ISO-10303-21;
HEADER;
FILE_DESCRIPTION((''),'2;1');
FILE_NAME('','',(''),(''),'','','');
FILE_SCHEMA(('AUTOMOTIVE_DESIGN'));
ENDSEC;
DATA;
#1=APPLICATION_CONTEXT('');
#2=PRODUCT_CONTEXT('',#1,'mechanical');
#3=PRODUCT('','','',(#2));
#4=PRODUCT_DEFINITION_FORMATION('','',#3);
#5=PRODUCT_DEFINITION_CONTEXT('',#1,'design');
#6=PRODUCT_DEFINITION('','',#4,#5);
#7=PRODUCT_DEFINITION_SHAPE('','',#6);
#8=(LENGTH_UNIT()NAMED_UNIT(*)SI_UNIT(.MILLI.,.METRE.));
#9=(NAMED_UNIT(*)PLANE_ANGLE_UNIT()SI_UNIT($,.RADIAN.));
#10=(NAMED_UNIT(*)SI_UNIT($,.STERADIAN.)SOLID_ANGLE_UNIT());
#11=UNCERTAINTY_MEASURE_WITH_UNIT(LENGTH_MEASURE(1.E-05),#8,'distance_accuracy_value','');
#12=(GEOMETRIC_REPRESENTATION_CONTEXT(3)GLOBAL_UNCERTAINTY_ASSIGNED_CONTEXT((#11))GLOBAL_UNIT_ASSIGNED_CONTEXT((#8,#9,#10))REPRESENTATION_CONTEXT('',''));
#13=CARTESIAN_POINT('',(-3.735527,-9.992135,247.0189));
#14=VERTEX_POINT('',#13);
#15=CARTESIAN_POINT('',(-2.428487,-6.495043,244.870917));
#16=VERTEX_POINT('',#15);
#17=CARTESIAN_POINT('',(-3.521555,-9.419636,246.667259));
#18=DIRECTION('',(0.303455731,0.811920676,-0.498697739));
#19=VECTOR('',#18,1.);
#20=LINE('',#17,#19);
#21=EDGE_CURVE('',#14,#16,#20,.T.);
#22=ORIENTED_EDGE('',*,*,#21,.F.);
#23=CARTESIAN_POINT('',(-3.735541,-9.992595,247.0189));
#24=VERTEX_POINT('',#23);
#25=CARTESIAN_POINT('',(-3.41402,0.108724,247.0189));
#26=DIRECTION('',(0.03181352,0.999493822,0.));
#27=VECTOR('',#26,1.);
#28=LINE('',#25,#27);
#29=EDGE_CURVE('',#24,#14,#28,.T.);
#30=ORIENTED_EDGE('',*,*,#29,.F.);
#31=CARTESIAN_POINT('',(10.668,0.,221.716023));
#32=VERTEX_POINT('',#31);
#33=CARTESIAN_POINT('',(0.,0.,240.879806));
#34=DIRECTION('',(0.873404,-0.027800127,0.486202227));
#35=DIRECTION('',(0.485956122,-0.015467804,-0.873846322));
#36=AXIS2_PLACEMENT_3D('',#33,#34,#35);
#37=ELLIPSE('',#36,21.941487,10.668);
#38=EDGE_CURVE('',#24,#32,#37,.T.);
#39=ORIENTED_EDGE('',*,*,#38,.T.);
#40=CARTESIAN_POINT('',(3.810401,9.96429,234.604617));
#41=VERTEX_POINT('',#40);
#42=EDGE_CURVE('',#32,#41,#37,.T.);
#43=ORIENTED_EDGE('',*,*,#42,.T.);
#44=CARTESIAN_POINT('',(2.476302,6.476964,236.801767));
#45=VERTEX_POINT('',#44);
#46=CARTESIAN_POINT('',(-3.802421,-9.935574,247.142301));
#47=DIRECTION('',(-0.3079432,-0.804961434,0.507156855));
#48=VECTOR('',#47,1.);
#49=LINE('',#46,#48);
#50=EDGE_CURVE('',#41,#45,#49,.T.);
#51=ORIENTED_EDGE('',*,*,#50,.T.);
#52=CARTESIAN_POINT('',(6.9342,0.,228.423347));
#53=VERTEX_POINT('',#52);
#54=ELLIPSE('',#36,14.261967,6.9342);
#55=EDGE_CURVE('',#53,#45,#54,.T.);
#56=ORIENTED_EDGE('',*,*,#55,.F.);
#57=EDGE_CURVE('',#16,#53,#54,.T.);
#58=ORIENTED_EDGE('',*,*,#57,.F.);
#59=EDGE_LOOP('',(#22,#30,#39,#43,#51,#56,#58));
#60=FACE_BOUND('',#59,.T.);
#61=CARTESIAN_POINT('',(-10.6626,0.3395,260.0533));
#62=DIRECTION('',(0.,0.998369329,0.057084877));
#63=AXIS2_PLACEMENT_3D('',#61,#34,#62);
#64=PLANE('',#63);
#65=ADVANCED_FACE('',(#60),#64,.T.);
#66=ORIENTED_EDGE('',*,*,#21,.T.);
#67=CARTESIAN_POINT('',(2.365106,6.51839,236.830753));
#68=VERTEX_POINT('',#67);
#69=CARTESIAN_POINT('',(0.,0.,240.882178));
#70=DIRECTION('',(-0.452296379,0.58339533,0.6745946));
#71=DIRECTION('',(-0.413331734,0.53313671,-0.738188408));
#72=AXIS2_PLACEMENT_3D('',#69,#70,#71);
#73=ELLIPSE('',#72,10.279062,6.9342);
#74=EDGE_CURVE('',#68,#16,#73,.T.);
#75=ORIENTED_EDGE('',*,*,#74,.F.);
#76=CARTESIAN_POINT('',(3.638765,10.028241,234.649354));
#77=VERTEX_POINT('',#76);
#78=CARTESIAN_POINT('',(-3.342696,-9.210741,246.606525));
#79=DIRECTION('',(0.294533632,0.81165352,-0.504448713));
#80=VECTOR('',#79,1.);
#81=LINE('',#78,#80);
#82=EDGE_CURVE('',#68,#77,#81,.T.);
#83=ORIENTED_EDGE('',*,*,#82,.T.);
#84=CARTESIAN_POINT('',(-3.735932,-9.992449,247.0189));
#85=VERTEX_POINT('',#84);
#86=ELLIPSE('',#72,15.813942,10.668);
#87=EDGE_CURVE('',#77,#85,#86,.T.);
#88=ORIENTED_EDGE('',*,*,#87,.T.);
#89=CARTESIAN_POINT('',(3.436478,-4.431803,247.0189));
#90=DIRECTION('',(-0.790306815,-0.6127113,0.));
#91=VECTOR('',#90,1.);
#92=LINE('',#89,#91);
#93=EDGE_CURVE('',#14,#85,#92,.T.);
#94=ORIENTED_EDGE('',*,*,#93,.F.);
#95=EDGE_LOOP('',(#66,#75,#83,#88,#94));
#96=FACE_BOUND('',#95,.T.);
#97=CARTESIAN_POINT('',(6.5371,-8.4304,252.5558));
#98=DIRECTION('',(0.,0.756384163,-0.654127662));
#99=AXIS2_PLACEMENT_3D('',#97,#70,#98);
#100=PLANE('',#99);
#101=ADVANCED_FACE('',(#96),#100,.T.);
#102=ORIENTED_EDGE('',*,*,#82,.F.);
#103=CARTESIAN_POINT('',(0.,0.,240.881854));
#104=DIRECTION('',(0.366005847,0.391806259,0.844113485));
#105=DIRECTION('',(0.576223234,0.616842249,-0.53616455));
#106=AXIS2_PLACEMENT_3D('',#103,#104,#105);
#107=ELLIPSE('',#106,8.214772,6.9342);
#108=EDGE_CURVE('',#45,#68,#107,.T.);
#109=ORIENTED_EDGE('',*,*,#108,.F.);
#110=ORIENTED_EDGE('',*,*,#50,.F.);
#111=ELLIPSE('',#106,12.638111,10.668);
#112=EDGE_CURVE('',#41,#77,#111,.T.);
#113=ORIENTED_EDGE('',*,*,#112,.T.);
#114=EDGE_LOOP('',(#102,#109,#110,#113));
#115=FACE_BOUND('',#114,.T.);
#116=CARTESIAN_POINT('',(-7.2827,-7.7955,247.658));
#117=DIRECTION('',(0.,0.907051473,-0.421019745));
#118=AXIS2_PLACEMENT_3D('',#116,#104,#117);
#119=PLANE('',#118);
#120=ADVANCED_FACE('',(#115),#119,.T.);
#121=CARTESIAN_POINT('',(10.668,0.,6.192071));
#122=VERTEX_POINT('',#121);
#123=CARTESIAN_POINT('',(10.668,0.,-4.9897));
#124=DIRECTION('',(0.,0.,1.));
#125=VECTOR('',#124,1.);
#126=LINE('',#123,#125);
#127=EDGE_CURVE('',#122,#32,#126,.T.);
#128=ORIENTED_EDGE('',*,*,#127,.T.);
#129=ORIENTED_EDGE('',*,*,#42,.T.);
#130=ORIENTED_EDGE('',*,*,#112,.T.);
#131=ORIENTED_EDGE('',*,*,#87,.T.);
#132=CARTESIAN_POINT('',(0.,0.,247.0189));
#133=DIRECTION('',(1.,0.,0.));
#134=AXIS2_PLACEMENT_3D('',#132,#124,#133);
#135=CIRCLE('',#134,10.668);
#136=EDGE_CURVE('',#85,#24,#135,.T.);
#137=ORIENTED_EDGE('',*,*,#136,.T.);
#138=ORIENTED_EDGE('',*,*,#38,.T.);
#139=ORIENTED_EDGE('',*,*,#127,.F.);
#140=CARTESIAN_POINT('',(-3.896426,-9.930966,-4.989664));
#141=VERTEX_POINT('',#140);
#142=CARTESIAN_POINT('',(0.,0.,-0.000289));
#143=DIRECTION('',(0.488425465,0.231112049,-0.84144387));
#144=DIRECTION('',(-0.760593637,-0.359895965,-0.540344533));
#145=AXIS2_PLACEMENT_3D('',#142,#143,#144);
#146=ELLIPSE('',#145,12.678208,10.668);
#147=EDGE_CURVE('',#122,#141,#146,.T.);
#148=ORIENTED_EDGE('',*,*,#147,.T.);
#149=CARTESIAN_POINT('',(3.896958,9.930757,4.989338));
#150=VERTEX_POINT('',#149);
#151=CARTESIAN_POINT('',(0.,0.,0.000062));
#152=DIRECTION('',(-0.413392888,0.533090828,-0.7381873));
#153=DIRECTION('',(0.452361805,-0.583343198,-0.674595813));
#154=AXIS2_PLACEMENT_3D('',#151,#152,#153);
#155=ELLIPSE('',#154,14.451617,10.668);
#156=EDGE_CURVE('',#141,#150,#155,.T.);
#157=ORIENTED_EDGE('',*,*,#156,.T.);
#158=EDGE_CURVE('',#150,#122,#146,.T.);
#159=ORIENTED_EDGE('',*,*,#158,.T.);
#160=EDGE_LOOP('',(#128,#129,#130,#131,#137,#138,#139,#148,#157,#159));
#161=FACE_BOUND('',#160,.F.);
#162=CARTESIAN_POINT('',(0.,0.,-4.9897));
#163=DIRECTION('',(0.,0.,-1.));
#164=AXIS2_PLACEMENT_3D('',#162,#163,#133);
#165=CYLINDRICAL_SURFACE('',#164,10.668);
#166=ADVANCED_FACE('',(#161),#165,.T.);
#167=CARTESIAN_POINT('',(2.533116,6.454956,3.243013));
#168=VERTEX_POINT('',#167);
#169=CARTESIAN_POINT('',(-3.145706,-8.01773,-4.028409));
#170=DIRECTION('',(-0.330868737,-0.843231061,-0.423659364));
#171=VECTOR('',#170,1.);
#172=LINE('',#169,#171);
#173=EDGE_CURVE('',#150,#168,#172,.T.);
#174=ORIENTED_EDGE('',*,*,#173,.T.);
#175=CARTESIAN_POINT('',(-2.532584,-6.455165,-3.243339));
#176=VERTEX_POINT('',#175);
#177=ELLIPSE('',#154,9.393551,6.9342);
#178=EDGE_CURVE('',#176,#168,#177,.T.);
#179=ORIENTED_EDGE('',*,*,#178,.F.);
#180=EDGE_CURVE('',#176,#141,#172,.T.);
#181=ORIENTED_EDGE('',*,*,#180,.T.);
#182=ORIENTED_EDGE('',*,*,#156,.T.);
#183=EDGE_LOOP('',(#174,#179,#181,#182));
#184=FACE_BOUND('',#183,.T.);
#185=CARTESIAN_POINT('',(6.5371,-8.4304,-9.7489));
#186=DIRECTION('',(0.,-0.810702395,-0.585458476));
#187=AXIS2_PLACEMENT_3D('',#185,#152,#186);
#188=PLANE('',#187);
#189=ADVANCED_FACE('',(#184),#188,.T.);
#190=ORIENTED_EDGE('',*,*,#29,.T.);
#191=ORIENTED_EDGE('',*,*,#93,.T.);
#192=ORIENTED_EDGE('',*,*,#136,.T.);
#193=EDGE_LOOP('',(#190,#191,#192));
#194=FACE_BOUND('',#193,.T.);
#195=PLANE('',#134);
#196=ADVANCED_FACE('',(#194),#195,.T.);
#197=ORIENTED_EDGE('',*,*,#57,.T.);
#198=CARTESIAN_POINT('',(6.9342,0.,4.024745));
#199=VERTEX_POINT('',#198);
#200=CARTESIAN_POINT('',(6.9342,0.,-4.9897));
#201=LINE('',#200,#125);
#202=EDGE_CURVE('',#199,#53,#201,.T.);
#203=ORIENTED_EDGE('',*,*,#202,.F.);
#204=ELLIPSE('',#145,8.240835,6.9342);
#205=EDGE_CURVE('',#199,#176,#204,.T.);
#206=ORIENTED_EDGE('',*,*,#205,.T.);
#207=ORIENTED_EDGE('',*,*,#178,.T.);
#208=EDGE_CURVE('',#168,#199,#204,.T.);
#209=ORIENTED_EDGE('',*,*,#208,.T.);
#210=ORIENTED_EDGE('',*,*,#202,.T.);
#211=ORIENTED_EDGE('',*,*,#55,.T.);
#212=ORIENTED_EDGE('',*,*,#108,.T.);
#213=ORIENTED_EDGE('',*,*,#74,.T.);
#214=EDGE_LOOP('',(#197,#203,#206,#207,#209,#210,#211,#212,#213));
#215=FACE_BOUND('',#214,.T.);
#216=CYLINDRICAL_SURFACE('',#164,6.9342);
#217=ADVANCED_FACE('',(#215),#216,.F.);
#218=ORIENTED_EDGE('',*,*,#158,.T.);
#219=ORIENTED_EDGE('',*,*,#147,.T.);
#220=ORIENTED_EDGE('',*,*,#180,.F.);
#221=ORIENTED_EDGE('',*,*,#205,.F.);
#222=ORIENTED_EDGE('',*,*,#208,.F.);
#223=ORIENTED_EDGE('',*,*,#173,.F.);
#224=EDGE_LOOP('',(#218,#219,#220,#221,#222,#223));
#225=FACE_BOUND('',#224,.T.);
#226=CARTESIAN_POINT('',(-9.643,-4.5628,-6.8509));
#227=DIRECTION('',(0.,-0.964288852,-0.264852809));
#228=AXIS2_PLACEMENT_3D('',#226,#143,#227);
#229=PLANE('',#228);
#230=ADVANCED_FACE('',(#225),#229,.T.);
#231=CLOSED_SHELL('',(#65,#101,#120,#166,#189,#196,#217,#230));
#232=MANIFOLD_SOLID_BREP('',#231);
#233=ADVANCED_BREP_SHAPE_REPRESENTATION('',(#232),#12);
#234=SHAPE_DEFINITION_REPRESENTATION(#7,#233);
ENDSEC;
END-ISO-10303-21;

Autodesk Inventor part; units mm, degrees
ref_plane "Start Plane" through (0, 0, -4.9897) normal (0, 0, 1) x (1, 0, 0)
ref_plane "End Plane" through (0, 0, 247.019) normal (0, 0, 1) x (1, 0, 0)
sketch "Sketch" plane through (0, 0, 0) normal (0, 0, 1) x (1, 0, 0)
  circle A0 centre (0, 0) radius 6.9342
  circle A1 centre (0, 0) radius 10.668
  dimension "d0" = 21.336
  dimension "d1" = 3.7338
extrude "Body" add sketch "Sketch" along normal up to surface (252.0086 mm away) from surface at -4.9897
sketch "Sketch3" plane through (0, 0, 0) normal (0, 0, 1) x (1, 0, 0)
  line L0 (0, 0) -> (10, 0)
ref_plane "Work Plane3" through (0, 0, 0) normal (0, -1, 0) x (1, 0, 0)
sketch "Sketch4" plane through (0, 0, 0) normal (0, -1, 0) x (1, 0, 0)
  line L0 (-2, -4.9897) -> (12, -4.9897)
  line L1 (-2, 247.019) -> (12, 247.019)
  dimension "d7" = 252.0086
ref_plane "Work Plane4" through (6.5371, -8.4304, 252.5558) normal (-0.4523, 0.5834, 0.6746) x (0.8778, 0.1576, 0.4523)
split "Split1" plane through (6.5371, -8.4304, 252.5558) removes the side toward (-0.4523, 0.5834, 0.6746)
ref_plane "Work Plane5" through (-10.6626, 0.3395, 260.0533) normal (0.8734, -0.0278, 0.4862) x (0.4868, 0.0163, -0.8734)
split "Split2" plane through (-10.6626, 0.3395, 260.0533) removes the side toward (0.8734, -0.0278, 0.4862)
ref_plane "Work Plane6" through (-7.2827, -7.7955, 247.658) normal (0.366, 0.3918, 0.8441) x (0.9274, -0.0778, -0.366)
split "Split3" plane through (-7.2827, -7.7955, 247.658) removes the side toward (0.366, 0.3918, 0.8441)
ref_plane "Work Plane7" through (6.5371, -8.4304, -9.7489) normal (-0.4134, 0.5331, -0.7382) x (0.3473, 0.8417, 0.4134)
split "Split4" plane through (6.5371, -8.4304, -9.7489) removes the side toward (-0.4134, 0.5331, -0.7382)
ref_plane "Work Plane8" through (-9.643, -4.5628, -6.8509) normal (0.4884, 0.2311, -0.8414) x (-0.5046, -0.7119, -0.4884)
split "Split5" plane through (-9.643, -4.5628, -6.8509) removes the side toward (0.4884, 0.2311, -0.8414)
equation "\"d0\" = G_H"
equation "\"d1\" = G_T"
equation "\"d2\" = G_L"
equation "\"G_H\" = 21.336"
equation "\"G_T\" = 3.7338"
equation "\"G_L\" = 252.00865"
equation "\"G_OFFSET_START\" = 4.98966"
equation "\"G_OFFSET_END\" = 6.13701"
equation "\"d4\" = -G_OFFSET_START"
equation "\"d5\" = G_OFFSET_END + B_L"
equation "\"B_L\" = 240.88198"
properties part number "ANSI - 1/2 x 0.147 - 9.922" material "Steel, Mild"
